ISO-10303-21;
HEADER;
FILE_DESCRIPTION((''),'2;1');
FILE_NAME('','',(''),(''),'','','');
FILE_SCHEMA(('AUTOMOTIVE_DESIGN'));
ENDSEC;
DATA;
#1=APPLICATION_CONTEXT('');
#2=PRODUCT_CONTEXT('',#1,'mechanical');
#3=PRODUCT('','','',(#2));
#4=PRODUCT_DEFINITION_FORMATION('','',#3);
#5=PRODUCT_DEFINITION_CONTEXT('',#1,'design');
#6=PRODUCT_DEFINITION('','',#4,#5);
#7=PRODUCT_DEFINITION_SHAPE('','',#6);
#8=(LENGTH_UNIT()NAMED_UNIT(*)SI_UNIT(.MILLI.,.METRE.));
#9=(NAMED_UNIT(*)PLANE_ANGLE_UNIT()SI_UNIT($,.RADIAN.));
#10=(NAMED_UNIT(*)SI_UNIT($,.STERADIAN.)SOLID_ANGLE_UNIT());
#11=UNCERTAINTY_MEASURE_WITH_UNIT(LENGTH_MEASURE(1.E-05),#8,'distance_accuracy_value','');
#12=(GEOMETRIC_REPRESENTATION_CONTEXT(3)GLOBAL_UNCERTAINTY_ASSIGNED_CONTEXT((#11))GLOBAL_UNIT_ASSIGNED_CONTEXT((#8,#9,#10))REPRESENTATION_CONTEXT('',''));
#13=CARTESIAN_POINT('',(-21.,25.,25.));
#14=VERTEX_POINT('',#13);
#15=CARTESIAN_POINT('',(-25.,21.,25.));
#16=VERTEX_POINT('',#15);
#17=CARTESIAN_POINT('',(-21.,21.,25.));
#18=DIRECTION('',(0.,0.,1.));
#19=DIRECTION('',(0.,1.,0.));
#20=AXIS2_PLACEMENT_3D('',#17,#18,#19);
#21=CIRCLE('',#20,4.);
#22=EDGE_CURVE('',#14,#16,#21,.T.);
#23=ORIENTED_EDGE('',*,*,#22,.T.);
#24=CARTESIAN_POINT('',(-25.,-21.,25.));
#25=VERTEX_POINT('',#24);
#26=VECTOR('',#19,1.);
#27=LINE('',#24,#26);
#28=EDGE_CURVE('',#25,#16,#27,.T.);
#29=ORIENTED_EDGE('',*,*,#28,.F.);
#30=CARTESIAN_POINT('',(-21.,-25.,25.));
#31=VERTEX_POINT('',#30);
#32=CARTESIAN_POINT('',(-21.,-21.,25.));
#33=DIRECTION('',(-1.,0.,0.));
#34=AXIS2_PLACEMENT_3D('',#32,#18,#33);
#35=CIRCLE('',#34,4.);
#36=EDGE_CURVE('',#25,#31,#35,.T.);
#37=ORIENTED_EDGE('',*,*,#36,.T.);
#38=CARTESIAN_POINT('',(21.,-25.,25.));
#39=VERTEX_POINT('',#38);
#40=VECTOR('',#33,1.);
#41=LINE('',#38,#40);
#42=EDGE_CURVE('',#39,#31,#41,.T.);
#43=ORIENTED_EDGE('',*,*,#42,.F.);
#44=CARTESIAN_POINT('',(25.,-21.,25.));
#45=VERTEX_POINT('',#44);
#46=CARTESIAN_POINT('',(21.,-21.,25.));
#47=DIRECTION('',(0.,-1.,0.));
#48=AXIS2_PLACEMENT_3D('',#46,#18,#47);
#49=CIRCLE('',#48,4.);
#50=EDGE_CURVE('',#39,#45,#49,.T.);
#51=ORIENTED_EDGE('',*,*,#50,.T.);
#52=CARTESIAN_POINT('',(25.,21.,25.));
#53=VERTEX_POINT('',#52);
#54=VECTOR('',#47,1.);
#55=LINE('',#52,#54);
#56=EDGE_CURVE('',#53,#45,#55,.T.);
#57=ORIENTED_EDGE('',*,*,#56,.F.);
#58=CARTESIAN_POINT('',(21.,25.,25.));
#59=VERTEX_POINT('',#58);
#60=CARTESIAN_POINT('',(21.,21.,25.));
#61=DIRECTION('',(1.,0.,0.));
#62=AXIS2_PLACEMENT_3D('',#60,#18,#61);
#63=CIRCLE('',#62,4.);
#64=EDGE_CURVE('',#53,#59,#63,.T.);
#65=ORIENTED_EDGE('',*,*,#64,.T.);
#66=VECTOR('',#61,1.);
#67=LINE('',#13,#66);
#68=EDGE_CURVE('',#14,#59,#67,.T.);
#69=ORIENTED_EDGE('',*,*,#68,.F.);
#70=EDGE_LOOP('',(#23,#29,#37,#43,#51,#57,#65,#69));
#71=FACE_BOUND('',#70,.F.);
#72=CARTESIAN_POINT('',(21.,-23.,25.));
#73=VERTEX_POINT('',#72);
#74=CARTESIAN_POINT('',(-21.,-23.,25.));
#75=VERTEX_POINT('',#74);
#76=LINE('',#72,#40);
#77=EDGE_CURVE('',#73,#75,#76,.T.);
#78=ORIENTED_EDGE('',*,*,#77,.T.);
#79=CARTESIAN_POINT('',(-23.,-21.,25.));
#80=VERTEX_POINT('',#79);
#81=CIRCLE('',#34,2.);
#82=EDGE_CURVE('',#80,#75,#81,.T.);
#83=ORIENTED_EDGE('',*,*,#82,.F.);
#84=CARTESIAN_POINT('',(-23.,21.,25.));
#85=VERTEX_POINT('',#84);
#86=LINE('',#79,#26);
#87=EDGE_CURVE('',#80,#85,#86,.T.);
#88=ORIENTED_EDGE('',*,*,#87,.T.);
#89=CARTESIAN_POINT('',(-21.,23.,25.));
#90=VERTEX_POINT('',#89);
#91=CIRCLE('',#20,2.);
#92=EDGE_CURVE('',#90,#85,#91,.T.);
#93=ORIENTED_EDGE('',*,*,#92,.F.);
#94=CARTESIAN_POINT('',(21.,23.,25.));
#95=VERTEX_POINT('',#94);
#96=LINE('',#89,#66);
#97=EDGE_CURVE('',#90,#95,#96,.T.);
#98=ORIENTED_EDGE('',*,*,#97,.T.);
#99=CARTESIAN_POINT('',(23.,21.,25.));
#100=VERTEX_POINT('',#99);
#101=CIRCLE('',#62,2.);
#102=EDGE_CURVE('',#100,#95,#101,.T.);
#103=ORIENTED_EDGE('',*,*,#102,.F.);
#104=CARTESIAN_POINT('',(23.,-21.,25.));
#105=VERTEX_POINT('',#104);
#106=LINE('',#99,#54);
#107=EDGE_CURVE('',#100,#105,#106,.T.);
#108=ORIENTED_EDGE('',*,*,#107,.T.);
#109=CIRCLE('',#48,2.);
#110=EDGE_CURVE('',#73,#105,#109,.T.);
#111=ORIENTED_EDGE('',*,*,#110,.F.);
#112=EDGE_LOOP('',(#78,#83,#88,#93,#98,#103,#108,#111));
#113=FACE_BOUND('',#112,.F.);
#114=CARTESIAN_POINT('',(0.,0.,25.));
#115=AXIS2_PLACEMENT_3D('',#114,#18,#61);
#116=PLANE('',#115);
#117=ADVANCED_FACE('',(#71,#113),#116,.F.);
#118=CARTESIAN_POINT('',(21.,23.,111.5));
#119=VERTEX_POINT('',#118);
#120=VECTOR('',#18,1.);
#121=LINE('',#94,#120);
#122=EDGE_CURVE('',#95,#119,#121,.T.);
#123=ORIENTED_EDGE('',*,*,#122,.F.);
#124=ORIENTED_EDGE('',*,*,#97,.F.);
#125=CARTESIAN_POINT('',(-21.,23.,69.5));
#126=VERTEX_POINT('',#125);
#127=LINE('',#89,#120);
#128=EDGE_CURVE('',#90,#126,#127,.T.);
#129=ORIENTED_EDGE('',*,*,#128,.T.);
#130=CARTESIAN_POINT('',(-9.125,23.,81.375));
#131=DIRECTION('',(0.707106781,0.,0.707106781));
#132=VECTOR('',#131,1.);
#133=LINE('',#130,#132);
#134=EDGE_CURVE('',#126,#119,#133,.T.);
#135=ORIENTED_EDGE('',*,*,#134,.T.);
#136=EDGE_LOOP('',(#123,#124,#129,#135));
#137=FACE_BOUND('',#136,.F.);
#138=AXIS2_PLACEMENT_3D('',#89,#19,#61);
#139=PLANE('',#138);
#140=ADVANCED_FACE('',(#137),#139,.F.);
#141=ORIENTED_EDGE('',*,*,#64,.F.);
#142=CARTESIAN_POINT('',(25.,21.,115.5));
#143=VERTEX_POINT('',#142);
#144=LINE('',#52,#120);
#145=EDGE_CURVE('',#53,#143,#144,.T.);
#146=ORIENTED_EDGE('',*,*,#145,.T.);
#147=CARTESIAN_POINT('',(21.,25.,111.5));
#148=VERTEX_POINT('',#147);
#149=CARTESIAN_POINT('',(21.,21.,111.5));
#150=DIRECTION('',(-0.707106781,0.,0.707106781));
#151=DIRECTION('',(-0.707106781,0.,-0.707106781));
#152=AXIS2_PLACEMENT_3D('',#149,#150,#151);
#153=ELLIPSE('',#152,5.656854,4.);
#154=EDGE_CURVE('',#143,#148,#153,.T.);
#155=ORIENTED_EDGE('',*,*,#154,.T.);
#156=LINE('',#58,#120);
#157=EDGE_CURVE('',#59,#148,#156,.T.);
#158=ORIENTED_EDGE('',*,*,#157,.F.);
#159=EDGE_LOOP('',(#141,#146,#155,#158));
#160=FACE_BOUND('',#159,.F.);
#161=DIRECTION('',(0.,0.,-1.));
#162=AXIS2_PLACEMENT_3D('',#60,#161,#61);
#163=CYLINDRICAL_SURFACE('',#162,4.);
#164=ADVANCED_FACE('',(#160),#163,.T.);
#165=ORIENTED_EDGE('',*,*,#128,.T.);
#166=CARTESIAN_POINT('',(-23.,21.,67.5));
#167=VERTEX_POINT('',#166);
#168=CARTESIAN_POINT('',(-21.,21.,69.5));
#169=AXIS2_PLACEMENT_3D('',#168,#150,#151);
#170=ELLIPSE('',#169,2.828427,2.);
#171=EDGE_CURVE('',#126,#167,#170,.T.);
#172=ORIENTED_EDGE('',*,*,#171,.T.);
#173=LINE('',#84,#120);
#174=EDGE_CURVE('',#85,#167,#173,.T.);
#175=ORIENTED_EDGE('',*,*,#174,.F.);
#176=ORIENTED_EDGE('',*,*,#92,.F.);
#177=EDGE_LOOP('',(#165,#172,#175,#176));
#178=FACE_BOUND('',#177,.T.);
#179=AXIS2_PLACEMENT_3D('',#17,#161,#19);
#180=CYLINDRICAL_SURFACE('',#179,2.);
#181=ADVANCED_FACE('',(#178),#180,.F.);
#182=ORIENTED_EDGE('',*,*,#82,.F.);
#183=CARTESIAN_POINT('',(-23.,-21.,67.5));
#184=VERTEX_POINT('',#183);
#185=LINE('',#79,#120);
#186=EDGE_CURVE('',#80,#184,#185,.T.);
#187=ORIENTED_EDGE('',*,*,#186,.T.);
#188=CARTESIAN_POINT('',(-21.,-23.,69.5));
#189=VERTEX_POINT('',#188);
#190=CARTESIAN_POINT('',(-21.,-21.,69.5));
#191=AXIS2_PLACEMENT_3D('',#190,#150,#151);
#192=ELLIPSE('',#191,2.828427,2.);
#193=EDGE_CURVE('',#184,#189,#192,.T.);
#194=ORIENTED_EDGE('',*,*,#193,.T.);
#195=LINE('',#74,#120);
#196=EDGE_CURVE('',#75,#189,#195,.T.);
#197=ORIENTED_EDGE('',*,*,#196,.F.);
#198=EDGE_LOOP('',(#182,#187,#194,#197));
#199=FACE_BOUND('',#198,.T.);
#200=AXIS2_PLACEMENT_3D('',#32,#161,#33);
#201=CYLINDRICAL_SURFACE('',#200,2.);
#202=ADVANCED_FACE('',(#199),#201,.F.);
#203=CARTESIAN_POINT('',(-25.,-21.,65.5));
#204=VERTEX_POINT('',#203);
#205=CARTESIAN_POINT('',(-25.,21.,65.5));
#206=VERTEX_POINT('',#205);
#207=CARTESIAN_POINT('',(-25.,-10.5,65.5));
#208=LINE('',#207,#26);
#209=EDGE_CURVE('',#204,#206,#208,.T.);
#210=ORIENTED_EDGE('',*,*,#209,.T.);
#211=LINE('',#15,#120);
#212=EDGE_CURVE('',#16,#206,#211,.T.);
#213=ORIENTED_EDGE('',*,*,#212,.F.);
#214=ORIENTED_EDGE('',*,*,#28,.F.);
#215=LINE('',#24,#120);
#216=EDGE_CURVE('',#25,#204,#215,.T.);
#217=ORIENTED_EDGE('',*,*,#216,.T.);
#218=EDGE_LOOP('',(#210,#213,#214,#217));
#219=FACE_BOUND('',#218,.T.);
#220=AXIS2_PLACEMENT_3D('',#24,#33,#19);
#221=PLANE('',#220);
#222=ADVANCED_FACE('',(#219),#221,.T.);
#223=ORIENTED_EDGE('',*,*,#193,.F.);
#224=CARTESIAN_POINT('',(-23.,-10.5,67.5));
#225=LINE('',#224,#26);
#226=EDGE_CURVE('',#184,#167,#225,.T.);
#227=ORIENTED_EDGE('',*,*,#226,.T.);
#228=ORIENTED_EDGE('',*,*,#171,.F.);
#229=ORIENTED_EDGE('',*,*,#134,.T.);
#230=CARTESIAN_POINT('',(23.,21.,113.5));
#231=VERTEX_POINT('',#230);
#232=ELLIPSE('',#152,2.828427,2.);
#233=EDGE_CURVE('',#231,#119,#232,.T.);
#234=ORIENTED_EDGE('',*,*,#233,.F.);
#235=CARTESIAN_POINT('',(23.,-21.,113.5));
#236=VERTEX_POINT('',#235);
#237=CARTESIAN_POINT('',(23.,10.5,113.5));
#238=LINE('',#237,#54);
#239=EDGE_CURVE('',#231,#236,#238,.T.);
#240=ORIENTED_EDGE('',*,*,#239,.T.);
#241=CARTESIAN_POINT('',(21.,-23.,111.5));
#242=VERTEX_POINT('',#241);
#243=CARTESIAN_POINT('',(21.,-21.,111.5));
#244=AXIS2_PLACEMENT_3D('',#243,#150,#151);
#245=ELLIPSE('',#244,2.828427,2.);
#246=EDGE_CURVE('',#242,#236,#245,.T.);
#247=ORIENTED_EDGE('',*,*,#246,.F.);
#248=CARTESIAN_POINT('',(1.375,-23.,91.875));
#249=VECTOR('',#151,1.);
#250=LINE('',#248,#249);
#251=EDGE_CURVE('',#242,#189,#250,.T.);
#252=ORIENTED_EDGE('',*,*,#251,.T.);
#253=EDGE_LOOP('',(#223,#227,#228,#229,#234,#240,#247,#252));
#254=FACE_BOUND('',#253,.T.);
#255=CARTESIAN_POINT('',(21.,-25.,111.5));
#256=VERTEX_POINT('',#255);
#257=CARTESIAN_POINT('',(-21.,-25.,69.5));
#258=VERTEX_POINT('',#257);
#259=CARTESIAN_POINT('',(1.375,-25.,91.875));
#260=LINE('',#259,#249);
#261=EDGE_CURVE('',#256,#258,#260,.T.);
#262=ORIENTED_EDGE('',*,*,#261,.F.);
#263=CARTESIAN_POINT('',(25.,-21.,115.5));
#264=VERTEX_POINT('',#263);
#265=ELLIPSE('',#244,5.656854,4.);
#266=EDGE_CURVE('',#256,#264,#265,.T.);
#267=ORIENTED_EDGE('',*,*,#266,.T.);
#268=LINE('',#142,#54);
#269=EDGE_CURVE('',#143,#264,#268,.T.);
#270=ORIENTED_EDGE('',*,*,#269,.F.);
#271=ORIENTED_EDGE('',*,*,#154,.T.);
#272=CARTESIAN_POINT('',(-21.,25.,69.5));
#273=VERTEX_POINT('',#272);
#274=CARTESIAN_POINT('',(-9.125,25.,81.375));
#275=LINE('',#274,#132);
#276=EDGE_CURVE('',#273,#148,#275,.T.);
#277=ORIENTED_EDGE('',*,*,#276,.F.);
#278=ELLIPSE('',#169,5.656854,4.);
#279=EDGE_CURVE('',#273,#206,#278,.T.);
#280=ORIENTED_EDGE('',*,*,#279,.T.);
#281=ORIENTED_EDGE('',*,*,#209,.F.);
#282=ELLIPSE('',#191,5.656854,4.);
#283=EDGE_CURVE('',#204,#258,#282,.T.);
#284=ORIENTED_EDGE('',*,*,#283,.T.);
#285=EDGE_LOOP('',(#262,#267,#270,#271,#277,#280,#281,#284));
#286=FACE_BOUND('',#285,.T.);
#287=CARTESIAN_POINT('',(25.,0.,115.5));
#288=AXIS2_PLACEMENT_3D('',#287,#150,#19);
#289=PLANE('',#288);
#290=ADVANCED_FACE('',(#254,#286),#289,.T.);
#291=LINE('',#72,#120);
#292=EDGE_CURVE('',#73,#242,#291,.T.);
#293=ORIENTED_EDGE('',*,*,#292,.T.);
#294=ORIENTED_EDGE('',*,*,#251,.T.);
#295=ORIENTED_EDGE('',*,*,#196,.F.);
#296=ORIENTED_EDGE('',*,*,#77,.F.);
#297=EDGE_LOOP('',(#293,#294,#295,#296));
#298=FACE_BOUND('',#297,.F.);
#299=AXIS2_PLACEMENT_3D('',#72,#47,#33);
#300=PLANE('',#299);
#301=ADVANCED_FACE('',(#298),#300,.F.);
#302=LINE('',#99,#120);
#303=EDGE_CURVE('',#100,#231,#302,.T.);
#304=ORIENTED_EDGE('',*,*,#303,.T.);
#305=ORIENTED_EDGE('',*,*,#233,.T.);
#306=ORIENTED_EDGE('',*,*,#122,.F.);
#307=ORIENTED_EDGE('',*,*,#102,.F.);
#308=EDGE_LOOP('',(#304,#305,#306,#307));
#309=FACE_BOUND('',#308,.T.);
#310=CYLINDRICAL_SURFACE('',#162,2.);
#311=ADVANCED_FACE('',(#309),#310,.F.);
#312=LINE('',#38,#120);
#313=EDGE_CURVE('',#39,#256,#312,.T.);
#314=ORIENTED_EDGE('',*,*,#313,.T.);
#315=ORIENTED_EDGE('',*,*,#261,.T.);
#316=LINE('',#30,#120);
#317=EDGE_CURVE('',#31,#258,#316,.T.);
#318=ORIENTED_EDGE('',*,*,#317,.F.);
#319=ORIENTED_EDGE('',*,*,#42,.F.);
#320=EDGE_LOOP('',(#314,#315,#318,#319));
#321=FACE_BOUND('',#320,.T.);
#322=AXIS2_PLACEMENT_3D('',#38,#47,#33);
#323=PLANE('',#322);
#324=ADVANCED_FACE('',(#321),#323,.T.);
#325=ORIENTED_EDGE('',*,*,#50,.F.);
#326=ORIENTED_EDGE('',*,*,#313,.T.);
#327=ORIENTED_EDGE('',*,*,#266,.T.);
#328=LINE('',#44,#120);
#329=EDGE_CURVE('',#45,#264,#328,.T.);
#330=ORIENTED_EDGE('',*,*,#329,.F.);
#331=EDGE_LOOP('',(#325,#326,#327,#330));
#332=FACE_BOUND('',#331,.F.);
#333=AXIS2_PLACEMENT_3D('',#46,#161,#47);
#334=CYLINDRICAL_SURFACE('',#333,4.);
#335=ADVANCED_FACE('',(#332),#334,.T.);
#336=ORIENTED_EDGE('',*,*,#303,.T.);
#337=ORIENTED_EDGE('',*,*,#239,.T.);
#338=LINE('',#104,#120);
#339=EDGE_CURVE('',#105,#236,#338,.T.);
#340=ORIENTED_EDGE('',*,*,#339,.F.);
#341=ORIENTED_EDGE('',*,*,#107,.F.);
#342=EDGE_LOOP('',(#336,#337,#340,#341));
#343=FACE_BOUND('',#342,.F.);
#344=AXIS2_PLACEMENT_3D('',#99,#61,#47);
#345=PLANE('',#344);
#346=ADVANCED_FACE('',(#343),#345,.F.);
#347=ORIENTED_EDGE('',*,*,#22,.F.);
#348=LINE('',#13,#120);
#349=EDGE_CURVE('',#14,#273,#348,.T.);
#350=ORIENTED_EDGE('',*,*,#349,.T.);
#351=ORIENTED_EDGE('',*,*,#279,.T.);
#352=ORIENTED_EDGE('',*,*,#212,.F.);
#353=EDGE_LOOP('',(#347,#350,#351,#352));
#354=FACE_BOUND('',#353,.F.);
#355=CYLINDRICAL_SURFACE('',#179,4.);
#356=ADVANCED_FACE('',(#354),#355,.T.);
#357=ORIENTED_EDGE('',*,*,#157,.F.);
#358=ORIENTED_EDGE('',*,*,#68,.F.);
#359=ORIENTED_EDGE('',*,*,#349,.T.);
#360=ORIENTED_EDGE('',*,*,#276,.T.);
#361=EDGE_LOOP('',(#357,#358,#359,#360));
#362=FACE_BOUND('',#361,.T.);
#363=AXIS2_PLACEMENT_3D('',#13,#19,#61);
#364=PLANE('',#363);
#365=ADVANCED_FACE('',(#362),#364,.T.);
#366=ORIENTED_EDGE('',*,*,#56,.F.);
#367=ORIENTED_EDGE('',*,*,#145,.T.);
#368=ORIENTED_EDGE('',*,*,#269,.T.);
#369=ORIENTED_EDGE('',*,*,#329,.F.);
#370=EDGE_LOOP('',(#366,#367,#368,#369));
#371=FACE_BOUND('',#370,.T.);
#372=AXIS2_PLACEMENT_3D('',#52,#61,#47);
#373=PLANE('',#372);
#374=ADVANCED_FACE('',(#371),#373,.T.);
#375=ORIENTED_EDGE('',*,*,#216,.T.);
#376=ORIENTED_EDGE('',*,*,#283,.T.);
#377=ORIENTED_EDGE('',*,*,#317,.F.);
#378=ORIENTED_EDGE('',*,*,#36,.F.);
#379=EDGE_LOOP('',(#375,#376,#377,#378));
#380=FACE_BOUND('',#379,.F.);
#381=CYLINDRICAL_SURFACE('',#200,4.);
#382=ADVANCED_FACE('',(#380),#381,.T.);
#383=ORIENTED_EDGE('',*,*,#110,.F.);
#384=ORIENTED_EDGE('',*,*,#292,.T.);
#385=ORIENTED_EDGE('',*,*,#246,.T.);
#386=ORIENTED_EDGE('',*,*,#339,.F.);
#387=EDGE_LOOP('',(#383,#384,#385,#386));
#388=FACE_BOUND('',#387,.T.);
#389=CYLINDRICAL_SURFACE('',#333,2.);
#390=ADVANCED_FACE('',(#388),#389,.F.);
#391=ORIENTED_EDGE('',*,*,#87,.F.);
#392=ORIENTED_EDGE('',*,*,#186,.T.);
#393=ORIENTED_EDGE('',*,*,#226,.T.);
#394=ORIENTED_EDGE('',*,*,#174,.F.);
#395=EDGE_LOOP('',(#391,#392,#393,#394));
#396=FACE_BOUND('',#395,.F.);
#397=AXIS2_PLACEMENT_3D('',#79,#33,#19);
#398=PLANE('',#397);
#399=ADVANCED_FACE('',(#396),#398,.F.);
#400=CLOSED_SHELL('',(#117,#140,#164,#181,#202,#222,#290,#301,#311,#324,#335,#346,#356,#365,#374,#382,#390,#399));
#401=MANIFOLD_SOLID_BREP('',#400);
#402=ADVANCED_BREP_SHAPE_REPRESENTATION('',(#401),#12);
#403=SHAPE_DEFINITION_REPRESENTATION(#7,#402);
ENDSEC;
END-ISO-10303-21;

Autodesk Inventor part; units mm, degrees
ref_plane "Start Plane" through (0, 0, 25) normal (0, 0, 1) x (1, 0, 0)
ref_plane "End Plane" through (0, 0, 115.5) normal (0, 0, 1) x (1, 0, 0)
sketch "Sketch" plane through (0, 0, 0) normal (0, 0, 1) x (1, 0, 0)
  line L0 (-25, -21) -> (-25, 21)
  line L1 (-21, 25) -> (21, 25)
  line L2 (25, 21) -> (25, -21)
  line L3 (21, -25) -> (-21, -25)
  arc A0 (-25, -21) -> (-21, -25) centre (-21, -21) ccw
  arc A1 (25, 21) -> (21, 25) centre (21, 21) ccw
  arc A2 (-21, 25) -> (-25, 21) centre (-21, 21) ccw
  arc A3 (21, -25) -> (25, -21) centre (21, -21) ccw
  arc A4 (-21, 23) -> (-23, 21) centre (-21, 21) ccw
  line L4 (-21, 23) -> (21, 23)
  arc A5 (23, 21) -> (21, 23) centre (21, 21) ccw
  line L5 (23, 21) -> (23, -21)
  arc A6 (21, -23) -> (23, -21) centre (21, -21) ccw
  line L6 (21, -23) -> (-21, -23)
  arc A7 (-23, -21) -> (-21, -23) centre (-21, -21) ccw
  line L7 (-23, -21) -> (-23, 21)
  line L8 (0, 36.1598) -> (0, -36.1598) construction
  line L9 (-36.1598, 0) -> (36.1598, 0) construction
  dimension "d7" = 4
  dimension "d9" = 50
  dimension "d11" = 50
  dimension "d12" = 2
  dimension "d15" = 25
  dimension "d16" = 25
extrude "Body" add sketch "Sketch" along normal up to surface (90.5 mm away) from surface at 25
sketch "Sketch3" plane through (0, 0, 0) normal (0, 0, 1) x (1, 0, 0)
  line L0 (0, 0) -> (10, 0)
ref_plane "Work Plane3" through (0, 0, 0) normal (0, -1, 0) x (1, 0, 0)
sketch "Sketch4" plane through (0, 0, 0) normal (0, -1, 0) x (1, 0, 0)
  line L0 (-2, 25) -> (12, 25)
  line L1 (-2, 115.5) -> (12, 115.5)
  dimension "d18" = 90.5
ref_plane "Work Plane4" through (25, 0, 115.5) normal (-0.7071, 0, 0.7071) x (0.7071, 0, 0.7071)
split "Split1" plane through (25, 0, 115.5) removes the side toward (-0.7071, 0, 0.7071)
ref_plane "Work Plane5" through (21, -637.25, 25) normal (0, 0, -1) x (-1, 0, 0)
split "Split2" plane through (21, -637.25, 25) removes the side toward (0, 0, -1)
equation "\"d7\" = G_IR"
equation "\"d9\" = G_W"
equation "\"d11\" = G_H"
equation "\"d12\" = G_T"
equation "\"d15\" = 0.5 * d9"
equation "\"d16\" = 0.5 * d11"
equation "\"d3\" = G_L"
equation "\"G_W\" = 50"
equation "\"G_H\" = 50"
equation "\"G_T\" = 2"
equation "\"G_IR\" = 4"
equation "\"G_L\" = d18"
equation "\"G_OFFSET_START\" = -25"
equation "\"G_OFFSET_END\" = 25"
equation "\"d13\" = -G_OFFSET_START"
equation "\"d14\" = G_OFFSET_END + B_L"
equation "\"B_L\" = 90.5"
properties part number "ISO 10799-2 - 50x50x2 - 90.5" material "Steel, Galvanized"
